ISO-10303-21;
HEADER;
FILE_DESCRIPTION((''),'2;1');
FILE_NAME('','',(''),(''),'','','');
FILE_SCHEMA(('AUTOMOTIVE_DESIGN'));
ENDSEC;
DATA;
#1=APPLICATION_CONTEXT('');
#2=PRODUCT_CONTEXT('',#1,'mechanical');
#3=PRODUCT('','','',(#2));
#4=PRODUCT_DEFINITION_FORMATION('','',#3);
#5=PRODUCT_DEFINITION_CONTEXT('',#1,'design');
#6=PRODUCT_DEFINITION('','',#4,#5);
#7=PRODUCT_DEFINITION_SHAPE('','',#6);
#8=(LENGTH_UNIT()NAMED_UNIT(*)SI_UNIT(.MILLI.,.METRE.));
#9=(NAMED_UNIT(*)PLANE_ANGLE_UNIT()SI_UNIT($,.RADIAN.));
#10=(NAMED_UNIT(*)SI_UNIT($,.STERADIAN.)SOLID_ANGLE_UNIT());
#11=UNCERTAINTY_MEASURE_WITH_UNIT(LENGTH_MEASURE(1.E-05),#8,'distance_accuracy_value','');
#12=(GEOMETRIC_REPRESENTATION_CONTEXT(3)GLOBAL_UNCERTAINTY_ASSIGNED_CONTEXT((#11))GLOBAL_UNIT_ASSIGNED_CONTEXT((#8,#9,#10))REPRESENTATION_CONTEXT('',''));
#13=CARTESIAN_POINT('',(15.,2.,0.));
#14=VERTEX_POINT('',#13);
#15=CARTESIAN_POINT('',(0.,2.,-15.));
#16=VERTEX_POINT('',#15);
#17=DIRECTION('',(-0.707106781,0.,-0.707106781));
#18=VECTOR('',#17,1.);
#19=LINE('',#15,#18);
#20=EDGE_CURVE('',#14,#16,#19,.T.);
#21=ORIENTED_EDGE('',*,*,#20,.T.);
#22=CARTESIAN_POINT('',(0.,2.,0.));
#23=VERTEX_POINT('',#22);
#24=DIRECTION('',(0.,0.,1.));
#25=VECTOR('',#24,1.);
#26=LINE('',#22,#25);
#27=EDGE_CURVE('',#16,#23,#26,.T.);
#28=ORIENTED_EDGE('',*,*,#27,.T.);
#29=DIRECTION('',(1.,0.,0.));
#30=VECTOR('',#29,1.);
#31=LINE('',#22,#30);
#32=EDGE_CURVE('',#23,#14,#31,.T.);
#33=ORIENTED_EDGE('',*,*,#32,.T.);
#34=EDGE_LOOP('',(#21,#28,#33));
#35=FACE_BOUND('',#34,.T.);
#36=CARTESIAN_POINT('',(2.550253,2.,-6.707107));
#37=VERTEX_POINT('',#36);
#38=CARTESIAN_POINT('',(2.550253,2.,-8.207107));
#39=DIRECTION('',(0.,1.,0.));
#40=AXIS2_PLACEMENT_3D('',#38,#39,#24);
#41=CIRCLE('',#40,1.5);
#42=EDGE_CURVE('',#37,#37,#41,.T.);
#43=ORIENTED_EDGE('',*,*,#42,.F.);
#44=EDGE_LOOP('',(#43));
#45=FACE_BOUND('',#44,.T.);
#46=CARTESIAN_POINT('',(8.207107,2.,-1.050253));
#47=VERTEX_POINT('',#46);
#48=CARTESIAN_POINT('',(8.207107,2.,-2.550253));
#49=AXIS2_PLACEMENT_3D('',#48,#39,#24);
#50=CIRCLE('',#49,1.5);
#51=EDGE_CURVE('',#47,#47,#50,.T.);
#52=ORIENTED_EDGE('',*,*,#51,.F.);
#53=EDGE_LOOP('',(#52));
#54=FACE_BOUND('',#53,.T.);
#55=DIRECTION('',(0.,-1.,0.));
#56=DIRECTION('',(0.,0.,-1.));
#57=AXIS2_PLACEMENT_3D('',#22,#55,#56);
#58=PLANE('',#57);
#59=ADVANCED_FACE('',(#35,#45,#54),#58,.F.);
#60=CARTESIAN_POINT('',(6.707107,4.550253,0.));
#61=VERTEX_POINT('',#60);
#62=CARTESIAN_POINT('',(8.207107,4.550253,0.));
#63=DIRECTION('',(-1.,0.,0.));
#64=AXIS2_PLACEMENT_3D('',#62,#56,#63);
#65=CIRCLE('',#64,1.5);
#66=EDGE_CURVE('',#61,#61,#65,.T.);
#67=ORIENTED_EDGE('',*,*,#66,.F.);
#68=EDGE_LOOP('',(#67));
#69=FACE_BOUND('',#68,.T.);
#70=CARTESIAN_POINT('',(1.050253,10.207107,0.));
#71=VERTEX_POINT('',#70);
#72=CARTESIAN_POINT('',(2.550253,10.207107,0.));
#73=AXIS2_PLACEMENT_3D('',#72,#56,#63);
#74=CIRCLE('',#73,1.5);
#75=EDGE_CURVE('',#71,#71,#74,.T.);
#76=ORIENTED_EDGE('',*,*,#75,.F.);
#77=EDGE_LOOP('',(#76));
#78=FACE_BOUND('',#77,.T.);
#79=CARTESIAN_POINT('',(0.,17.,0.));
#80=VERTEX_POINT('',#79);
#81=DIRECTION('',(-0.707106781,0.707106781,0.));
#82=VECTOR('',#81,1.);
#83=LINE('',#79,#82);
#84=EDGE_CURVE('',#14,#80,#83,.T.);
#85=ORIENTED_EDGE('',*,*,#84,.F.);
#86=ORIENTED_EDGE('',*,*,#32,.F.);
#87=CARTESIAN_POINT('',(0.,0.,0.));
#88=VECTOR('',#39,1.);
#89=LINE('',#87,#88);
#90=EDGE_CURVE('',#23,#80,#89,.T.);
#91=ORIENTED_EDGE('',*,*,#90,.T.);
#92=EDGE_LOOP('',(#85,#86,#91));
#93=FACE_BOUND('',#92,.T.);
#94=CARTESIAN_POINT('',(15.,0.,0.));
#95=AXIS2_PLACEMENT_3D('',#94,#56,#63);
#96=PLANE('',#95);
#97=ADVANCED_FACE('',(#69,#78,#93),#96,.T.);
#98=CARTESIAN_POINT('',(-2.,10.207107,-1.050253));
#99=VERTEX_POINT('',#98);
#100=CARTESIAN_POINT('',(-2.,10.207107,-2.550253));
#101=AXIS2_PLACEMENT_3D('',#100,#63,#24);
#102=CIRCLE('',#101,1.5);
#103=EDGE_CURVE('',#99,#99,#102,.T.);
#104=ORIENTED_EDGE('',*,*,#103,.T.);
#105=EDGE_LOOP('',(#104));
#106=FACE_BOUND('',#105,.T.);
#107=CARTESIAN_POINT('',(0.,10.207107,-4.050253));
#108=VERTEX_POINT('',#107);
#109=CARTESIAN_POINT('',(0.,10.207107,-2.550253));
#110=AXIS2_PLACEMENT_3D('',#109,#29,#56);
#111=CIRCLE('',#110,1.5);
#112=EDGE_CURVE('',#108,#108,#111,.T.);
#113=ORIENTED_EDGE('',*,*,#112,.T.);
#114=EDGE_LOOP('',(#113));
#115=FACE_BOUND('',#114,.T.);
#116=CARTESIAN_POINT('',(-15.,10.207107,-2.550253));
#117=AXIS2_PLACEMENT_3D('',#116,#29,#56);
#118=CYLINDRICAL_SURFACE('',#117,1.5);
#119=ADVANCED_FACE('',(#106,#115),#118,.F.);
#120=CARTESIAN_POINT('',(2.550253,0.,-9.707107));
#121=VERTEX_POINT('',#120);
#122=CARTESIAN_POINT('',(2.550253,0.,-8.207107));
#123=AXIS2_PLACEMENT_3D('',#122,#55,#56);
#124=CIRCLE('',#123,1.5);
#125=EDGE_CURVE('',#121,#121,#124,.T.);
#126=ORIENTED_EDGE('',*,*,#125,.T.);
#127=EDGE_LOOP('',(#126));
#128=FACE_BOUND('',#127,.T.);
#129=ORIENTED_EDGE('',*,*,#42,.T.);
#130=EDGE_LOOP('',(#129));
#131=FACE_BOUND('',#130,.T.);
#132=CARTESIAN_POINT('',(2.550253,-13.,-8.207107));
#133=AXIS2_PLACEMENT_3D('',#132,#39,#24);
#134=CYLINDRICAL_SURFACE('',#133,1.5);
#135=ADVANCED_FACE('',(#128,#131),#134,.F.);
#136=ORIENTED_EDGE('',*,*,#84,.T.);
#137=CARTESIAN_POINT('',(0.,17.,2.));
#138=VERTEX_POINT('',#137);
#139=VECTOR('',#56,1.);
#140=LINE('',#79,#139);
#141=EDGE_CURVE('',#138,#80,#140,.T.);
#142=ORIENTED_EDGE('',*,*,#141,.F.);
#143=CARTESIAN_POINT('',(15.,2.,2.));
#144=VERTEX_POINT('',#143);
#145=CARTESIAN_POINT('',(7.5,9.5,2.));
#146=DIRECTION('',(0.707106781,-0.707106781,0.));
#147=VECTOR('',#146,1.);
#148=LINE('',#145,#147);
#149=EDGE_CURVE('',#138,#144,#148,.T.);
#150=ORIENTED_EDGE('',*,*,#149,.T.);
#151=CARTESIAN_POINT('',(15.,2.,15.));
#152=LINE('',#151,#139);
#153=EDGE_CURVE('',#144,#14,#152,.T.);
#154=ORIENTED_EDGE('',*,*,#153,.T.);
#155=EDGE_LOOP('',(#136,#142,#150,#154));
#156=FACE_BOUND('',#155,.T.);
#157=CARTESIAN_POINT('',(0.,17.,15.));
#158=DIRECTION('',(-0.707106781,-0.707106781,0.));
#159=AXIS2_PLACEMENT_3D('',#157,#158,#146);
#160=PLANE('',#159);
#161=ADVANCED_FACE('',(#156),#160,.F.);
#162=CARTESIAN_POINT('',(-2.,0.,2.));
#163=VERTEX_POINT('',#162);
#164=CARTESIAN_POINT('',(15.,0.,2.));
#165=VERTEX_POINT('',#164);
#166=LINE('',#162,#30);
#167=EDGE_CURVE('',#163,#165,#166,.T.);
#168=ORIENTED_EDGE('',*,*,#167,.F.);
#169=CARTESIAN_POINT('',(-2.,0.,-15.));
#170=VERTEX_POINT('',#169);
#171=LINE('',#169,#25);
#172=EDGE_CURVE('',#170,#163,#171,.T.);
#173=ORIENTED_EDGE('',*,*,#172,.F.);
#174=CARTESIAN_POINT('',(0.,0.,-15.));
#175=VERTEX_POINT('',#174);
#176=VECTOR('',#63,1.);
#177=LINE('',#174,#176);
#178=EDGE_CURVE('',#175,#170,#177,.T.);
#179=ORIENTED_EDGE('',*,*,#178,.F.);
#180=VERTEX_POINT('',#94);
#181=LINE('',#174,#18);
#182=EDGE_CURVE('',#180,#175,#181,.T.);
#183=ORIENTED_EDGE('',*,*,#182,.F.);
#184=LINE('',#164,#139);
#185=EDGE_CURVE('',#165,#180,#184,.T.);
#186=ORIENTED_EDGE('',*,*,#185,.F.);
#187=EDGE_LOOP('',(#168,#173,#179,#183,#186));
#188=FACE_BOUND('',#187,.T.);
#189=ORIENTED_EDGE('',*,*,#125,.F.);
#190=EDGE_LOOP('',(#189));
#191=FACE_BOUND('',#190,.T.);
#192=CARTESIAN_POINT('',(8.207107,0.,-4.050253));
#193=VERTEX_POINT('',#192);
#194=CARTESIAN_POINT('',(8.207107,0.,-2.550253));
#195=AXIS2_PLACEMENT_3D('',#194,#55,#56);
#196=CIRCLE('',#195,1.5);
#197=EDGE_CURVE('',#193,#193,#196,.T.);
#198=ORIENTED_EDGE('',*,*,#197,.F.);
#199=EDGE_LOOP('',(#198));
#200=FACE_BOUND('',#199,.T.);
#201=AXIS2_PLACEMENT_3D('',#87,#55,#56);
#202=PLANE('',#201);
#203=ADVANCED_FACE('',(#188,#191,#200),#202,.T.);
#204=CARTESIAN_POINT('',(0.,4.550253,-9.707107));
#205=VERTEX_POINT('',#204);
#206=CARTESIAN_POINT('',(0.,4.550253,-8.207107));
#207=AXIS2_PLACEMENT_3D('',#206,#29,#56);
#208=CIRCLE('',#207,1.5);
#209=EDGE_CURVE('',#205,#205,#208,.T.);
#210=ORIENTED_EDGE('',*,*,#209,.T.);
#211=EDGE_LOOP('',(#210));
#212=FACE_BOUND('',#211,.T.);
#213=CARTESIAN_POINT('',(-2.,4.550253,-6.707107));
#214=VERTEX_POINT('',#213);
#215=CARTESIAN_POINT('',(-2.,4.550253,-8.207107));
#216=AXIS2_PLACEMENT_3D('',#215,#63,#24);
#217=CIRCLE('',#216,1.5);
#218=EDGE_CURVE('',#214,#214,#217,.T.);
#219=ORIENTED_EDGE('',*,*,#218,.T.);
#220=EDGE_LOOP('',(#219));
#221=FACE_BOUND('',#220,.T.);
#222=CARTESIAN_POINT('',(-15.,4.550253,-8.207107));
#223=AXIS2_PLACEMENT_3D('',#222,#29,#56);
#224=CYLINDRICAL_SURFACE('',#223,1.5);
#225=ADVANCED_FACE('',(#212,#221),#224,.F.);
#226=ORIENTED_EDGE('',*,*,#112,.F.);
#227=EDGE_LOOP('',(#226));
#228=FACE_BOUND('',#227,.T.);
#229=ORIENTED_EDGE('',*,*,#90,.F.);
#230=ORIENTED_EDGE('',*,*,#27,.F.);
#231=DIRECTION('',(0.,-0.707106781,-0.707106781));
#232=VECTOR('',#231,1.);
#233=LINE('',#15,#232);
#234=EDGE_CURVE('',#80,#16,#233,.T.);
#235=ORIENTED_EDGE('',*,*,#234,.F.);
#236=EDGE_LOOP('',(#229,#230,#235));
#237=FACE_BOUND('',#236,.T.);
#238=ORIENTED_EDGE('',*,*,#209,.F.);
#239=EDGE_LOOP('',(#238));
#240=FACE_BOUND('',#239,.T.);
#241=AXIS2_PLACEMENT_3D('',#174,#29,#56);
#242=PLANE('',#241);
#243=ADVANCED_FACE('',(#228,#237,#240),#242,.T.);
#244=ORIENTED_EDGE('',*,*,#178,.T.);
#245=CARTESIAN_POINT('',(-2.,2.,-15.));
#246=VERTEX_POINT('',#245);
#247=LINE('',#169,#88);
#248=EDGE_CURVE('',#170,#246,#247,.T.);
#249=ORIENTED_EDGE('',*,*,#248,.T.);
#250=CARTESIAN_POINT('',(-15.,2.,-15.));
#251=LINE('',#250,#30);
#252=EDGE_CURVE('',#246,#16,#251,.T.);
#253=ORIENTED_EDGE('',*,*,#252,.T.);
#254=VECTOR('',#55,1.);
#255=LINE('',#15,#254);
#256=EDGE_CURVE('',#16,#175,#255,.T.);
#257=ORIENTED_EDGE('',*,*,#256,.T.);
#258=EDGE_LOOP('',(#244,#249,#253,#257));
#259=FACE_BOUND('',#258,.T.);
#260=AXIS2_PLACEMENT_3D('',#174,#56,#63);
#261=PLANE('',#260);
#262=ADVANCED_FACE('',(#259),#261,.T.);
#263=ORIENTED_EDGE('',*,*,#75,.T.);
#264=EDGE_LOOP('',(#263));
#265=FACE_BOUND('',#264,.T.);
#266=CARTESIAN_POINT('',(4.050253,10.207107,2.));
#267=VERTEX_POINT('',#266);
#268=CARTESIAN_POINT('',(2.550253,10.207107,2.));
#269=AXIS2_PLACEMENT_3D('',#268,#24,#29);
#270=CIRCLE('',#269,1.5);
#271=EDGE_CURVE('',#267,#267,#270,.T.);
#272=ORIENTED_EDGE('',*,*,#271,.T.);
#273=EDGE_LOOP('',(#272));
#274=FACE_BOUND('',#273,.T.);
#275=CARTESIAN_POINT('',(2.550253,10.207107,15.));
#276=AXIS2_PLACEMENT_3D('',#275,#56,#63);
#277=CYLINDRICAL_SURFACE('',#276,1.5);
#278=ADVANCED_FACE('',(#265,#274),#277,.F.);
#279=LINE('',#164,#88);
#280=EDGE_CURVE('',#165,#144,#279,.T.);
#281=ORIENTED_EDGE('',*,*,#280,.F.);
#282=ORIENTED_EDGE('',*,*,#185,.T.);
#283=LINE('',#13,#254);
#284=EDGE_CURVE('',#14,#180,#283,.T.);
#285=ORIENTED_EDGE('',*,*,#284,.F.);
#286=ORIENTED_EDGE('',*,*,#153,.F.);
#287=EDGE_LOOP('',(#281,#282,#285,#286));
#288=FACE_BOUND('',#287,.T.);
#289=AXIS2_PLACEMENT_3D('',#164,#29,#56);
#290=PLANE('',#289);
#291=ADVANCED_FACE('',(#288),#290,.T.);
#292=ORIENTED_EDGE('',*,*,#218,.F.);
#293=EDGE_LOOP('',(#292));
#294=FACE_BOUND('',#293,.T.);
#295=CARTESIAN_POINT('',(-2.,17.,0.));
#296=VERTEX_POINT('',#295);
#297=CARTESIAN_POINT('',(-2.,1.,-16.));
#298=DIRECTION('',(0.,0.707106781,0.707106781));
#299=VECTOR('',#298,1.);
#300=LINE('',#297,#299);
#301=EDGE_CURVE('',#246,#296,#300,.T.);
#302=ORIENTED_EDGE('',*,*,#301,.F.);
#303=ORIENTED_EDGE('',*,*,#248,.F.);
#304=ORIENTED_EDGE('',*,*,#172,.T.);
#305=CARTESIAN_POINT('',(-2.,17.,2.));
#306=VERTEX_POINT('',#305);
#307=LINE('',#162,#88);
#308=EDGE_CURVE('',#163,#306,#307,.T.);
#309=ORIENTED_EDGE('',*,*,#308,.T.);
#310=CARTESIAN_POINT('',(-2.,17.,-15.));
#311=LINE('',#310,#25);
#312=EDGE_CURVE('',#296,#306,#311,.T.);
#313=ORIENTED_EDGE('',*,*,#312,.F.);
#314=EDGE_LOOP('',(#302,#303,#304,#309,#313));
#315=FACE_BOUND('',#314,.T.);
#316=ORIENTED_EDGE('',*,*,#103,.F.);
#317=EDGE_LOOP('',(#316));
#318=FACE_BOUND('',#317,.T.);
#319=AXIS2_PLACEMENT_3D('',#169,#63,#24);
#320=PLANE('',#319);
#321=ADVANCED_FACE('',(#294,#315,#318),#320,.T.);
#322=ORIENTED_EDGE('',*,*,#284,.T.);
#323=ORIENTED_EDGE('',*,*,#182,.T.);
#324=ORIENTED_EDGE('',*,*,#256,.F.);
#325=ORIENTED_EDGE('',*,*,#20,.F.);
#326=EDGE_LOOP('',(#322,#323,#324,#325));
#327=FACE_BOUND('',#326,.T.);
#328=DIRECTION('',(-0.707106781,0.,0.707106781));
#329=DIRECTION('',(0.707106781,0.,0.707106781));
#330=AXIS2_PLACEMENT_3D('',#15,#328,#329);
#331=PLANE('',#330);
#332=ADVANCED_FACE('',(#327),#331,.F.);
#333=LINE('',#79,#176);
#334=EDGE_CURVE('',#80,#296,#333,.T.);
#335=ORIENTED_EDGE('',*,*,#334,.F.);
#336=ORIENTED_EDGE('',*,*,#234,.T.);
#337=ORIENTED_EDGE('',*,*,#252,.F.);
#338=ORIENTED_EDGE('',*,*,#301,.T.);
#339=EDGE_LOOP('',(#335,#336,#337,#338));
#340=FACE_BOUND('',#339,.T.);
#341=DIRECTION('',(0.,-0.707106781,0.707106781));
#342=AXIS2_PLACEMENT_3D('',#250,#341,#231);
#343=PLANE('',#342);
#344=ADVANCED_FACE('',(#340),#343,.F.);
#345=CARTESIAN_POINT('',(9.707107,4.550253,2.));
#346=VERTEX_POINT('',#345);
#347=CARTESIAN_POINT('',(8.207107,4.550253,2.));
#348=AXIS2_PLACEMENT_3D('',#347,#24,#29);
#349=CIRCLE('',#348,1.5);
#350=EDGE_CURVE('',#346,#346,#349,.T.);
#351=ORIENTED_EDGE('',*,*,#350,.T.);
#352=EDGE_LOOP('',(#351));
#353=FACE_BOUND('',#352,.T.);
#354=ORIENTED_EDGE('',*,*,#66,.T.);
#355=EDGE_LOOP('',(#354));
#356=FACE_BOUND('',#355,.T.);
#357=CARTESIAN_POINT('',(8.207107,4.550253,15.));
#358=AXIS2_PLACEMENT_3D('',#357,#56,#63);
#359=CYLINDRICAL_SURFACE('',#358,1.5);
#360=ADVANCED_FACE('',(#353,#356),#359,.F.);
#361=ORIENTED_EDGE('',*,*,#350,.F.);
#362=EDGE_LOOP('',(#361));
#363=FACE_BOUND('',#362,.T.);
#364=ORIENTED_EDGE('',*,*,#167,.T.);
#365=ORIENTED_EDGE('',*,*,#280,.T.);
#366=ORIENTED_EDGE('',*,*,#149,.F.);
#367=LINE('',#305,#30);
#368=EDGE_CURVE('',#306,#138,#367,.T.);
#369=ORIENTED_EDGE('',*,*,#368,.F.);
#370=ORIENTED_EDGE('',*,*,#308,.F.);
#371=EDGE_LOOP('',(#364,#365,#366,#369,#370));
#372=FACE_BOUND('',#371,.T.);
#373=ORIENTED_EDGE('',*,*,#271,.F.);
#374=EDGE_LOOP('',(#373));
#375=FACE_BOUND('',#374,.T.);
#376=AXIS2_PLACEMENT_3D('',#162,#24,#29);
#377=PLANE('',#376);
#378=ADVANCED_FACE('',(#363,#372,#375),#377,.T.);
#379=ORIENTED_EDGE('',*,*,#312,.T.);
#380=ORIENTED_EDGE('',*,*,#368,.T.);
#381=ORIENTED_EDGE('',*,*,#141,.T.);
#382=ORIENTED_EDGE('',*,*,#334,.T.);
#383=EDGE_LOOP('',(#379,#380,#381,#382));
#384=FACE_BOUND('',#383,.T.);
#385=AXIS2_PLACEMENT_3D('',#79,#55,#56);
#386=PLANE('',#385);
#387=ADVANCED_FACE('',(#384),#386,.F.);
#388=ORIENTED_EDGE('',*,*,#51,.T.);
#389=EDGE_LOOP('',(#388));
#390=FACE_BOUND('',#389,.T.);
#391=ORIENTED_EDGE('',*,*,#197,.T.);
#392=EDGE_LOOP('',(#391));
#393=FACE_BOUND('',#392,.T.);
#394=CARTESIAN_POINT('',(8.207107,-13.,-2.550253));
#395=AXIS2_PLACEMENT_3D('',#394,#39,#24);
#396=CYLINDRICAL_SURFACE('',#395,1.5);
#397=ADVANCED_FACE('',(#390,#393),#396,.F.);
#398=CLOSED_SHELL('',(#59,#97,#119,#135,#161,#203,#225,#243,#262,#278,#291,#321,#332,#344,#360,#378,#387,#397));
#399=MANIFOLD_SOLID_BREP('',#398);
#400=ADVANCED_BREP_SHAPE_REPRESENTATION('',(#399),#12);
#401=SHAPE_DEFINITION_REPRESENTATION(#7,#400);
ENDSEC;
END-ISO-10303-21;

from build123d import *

# Parameters (mm, degrees)
BOSS_EXTRUDE1_DEPTH      = 2
BOSS_EXTRUDE2_DEPTH      = 15
BOSS_EXTRUDE2_DEPTH_BACK = 2
CUT_EXTRUDE1_DEPTH       = 15
CUT_EXTRUDE2_DEPTH       = 15
SKETCH5_R                = 1.5
CUT_EXTRUDE3_DEPTH       = 15
SKETCH6_R                = 1.5
CUT_EXTRUDE4_DEPTH       = 15
SKETCH7_R                = 1.5
CUT_EXTRUDE5_DEPTH       = 15


with BuildPart() as part:
    # Sketch1 → Boss-Extrude1 (new body)
    with BuildSketch(Plane(origin=(0, 0, 0), x_dir=(1, 0, 0), z_dir=(0, 1, 0))):
        Polygon((0, 15), (15, 0), (0, 0), align=None)
    extrude(amount=BOSS_EXTRUDE1_DEPTH)

    # Sketch2 → Boss-Extrude2 (add, two sides: drawn at the far end of the back side and taken through both)
    with BuildSketch(Plane(origin=(0, 2, 0), x_dir=(1, 0, 0), z_dir=(0, 1, 0)).offset(-BOSS_EXTRUDE2_DEPTH_BACK)):
        Polygon((-2, -2), (15, -2), (15, 0), (0, 0), (0, 15), (-2, 15), align=None)
    extrude(amount=BOSS_EXTRUDE2_DEPTH + BOSS_EXTRUDE2_DEPTH_BACK)

    # Sketch3 → Cut-Extrude1 (cut)
    with BuildSketch(Plane(origin=(0, 0, 0), x_dir=(0, 0, -1), z_dir=(1, 0, 0))):
        Polygon((15, 2), (0, 17), (15, 17), align=None)
    extrude(amount=-CUT_EXTRUDE1_DEPTH, mode=Mode.SUBTRACT)

    # Sketch4 → Cut-Extrude2 (cut)
    with BuildSketch(Plane(origin=(0, 0, 0), x_dir=(-1, 0, 0), z_dir=(0, 0, -1))):
        Polygon((0, 17), (-15, 2), (-15, 17), align=None)
    extrude(amount=-CUT_EXTRUDE2_DEPTH, mode=Mode.SUBTRACT)

    # Sketch5 → Cut-Extrude3 (cut)
    with BuildSketch(Plane(origin=(0, 0, 0), x_dir=(0, 0, -1), z_dir=(1, 0, 0))):
        with Locations((2.550252532, 10.207106781)):
            Circle(SKETCH5_R)
        with Locations((8.207106781, 4.550252532)):
            Circle(SKETCH5_R)
    extrude(amount=-CUT_EXTRUDE3_DEPTH, mode=Mode.SUBTRACT)

    # Sketch6 → Cut-Extrude4 (cut)
    with BuildSketch(Plane(origin=(0, 0, 0), x_dir=(-1, 0, 0), z_dir=(0, 0, -1))):
        with Locations((-2.550252532, 10.207106781)):
            Circle(SKETCH6_R)
        with Locations((-8.207106781, 4.550252532)):
            Circle(SKETCH6_R)
    extrude(amount=-CUT_EXTRUDE4_DEPTH, mode=Mode.SUBTRACT)

    # Sketch7 → Cut-Extrude5 (cut)
    with BuildSketch(Plane(origin=(0, 2, 0), x_dir=(1, 0, 0), z_dir=(0, 1, 0))):
        with Locations(Location((2.550252532, 8.207106781, 0), (0, 0, 270))):
            Circle(SKETCH7_R)
        with Locations(Location((8.207106781, 2.550252532, 0), (0, 0, 270))):
            Circle(SKETCH7_R)
    extrude(amount=-CUT_EXTRUDE5_DEPTH, mode=Mode.SUBTRACT)


solid = part.part
